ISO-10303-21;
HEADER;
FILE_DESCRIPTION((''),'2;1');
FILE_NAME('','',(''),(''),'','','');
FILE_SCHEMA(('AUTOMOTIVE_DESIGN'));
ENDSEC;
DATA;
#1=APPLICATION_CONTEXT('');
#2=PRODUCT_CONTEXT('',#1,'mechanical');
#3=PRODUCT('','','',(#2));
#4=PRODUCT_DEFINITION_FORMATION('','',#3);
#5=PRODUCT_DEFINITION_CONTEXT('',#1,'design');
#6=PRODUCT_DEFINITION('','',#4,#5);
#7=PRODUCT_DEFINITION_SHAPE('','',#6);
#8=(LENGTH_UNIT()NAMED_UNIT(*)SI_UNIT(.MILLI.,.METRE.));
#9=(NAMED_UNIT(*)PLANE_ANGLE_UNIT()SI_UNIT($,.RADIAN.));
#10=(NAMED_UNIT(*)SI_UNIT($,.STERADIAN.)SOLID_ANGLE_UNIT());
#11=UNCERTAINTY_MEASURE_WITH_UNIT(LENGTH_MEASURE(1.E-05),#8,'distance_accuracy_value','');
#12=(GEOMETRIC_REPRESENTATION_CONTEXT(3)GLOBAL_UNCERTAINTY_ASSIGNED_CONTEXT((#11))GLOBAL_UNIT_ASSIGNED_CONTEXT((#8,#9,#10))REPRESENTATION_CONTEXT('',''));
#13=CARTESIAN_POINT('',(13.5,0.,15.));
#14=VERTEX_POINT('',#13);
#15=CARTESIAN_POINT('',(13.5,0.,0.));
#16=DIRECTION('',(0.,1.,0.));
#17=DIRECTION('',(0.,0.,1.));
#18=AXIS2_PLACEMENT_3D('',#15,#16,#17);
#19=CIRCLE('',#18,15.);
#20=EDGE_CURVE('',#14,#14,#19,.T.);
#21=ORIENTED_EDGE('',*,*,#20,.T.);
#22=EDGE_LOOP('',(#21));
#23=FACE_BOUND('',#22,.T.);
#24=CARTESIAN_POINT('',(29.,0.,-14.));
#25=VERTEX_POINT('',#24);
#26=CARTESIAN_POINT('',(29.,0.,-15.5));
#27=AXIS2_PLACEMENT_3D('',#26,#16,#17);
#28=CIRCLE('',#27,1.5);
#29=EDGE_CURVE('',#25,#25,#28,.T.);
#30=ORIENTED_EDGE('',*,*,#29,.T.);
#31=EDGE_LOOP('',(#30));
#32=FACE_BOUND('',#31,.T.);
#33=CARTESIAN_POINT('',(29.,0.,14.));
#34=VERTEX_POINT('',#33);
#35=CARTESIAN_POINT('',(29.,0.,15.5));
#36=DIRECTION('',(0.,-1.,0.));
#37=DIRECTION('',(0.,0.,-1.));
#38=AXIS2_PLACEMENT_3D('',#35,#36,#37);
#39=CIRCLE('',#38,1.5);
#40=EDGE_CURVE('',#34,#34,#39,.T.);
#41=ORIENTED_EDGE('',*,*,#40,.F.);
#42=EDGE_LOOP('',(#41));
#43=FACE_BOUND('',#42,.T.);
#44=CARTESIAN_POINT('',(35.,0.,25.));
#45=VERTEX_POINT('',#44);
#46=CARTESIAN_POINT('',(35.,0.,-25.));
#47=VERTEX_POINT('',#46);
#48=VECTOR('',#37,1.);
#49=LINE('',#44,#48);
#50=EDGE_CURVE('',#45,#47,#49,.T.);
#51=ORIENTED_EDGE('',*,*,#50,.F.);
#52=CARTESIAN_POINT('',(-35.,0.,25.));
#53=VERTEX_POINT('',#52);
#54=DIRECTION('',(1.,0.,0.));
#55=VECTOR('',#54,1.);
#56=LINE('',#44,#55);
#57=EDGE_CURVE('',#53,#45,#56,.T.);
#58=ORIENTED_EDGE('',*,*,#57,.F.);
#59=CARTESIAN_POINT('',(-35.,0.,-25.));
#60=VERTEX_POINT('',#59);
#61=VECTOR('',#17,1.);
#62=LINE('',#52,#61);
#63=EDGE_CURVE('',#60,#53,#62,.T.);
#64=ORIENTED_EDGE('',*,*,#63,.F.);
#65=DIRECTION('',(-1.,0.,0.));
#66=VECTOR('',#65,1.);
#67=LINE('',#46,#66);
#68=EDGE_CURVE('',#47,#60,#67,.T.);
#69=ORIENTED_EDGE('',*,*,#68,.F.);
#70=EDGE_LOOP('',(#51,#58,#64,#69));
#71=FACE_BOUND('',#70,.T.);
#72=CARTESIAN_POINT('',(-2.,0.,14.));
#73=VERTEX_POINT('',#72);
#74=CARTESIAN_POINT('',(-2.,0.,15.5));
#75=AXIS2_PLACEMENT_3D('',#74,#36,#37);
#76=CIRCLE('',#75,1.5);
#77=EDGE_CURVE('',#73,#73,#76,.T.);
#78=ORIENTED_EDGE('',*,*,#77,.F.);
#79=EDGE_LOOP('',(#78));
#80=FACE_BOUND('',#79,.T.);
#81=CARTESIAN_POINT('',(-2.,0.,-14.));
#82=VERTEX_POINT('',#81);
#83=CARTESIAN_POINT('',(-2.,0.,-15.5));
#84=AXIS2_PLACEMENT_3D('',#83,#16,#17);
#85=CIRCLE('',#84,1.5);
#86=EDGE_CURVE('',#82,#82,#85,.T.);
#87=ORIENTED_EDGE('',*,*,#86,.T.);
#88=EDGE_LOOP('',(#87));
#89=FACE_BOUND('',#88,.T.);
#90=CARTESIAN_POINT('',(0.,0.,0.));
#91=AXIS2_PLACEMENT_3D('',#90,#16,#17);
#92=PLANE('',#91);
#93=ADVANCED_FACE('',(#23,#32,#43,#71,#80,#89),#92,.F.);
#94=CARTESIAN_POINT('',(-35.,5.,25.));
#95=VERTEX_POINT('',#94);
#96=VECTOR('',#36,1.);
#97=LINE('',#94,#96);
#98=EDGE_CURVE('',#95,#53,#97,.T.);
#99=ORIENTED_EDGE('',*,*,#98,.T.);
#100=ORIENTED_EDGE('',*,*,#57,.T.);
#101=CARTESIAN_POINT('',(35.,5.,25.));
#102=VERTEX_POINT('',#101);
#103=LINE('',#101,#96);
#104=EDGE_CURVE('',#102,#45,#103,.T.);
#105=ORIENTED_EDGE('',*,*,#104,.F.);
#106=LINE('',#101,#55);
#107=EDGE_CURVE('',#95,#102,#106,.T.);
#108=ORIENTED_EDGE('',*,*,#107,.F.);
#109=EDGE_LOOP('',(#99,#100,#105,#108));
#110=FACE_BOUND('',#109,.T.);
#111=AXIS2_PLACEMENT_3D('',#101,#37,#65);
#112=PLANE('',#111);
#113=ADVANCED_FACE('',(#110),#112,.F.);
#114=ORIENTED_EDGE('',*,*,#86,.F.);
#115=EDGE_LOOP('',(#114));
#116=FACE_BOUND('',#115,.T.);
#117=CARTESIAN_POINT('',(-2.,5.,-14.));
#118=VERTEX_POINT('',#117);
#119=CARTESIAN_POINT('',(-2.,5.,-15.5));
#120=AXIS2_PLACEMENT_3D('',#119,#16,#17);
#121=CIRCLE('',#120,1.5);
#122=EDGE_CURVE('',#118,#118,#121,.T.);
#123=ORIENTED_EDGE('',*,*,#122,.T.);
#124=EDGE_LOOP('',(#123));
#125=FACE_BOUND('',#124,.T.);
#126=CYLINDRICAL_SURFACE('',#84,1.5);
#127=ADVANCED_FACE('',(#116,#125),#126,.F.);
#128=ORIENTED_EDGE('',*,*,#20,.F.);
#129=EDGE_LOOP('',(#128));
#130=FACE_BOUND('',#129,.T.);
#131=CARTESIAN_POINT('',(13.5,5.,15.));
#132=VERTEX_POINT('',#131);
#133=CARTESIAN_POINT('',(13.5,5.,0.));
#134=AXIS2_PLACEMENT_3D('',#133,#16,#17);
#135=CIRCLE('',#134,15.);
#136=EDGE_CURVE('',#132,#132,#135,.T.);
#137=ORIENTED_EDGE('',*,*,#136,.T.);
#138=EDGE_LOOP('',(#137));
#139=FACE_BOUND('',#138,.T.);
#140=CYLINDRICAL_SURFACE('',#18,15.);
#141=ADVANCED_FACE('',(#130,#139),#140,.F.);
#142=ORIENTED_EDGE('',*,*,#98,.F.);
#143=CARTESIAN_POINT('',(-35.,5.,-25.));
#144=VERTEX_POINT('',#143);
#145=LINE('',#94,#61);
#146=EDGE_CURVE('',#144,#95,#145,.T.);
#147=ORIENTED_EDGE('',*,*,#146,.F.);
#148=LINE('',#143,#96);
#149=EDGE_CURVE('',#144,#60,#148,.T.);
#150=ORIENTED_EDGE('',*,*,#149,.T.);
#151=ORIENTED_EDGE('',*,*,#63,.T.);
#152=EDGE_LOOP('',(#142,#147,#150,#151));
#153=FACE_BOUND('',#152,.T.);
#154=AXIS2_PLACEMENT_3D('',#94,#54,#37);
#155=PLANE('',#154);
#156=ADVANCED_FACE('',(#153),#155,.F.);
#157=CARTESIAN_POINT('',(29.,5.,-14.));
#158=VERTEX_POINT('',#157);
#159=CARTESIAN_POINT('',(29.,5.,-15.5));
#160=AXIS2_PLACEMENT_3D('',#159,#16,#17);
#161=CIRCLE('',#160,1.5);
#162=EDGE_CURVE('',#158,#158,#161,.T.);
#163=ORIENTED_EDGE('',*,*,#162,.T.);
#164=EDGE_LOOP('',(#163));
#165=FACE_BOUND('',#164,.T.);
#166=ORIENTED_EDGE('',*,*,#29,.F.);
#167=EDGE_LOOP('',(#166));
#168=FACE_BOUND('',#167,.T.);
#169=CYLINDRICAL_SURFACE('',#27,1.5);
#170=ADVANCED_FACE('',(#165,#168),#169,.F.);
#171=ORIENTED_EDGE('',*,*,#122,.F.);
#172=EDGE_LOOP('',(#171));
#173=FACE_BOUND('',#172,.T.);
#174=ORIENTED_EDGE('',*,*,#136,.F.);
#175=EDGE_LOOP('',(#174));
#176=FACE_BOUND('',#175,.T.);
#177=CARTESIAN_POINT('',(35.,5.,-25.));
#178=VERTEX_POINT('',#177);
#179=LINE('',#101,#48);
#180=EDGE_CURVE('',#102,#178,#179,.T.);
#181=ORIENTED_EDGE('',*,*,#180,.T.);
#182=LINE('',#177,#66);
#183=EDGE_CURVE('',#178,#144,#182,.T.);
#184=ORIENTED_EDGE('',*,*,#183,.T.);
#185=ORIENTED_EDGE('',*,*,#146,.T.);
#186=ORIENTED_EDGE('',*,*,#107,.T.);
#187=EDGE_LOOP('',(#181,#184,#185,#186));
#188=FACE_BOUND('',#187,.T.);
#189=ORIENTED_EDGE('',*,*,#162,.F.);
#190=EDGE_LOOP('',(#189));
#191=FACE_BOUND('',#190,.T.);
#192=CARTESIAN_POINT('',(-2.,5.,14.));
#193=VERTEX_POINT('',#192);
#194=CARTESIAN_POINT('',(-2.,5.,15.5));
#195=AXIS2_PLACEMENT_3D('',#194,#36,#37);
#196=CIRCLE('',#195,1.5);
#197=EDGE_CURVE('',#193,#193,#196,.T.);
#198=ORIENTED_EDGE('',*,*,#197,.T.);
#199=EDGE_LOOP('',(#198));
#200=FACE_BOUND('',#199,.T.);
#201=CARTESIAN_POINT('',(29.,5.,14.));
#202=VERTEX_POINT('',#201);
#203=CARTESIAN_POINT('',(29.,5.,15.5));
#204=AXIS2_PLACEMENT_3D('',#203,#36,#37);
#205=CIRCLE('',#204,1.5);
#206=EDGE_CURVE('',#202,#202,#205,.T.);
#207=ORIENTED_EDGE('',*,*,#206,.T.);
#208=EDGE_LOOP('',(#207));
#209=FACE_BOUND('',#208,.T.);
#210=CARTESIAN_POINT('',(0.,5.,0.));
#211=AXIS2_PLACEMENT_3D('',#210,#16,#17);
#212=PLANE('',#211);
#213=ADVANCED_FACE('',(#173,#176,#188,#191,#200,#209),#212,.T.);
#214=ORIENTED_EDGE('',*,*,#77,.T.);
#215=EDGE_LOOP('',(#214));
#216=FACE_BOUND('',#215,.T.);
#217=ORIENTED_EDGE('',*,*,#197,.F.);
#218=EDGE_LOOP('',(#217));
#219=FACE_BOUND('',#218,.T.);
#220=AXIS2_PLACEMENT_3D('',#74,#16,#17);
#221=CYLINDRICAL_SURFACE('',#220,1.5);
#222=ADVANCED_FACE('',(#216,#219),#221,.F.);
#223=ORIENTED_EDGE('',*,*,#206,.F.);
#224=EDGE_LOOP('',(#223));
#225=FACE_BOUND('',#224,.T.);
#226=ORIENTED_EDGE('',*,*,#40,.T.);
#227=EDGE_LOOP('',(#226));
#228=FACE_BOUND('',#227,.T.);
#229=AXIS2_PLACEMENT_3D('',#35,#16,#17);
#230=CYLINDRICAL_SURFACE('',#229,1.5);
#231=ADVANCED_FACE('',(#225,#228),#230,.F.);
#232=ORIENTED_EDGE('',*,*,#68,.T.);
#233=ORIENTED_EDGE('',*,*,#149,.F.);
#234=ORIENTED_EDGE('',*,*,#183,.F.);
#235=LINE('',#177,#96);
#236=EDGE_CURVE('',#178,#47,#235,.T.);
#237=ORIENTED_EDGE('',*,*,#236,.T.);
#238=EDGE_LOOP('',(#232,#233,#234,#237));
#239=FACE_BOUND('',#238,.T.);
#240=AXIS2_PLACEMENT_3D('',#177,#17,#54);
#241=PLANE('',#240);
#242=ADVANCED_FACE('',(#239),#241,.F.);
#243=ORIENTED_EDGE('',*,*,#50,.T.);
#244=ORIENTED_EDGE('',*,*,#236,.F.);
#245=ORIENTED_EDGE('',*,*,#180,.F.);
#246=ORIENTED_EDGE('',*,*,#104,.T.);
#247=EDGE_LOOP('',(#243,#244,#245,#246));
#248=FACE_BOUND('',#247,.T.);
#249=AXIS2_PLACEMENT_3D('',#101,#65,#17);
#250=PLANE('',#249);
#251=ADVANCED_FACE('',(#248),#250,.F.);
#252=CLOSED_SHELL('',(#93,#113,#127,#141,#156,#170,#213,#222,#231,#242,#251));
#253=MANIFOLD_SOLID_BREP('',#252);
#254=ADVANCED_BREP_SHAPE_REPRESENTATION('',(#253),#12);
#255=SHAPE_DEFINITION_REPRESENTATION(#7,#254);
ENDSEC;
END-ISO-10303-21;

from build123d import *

# Parameters (mm, degrees)
SKETCH1_W           = 70
SKETCH1_H           = 50
BOSS_EXTRUDE1_DEPTH = 5
SKETCH2_R           = 1.5
CUT_EXTRUDE1_DEPTH  = 5
SKETCH3_R           = 15
CUT_EXTRUDE2_DEPTH  = 5


with BuildPart() as part:
    # Sketch1 → Boss-Extrude1 (new body)
    with BuildSketch(Plane(origin=(0, 0, 0), x_dir=(1, 0, 0), z_dir=(0, 1, 0))):
        Rectangle(SKETCH1_W, SKETCH1_H)
    extrude(amount=BOSS_EXTRUDE1_DEPTH)

    # Sketch2 → Cut-Extrude1 (cut)
    with BuildSketch(Plane(origin=(0, 5, 0), x_dir=(1, 0, 0), z_dir=(0, 1, 0))):
        with Locations((29, 15.5)):
            Circle(SKETCH2_R)
        with Locations((-2, 15.5)):
            Circle(SKETCH2_R)
    cut_extrude1 = extrude(amount=-CUT_EXTRUDE1_DEPTH, mode=Mode.SUBTRACT)

    # Mirror1: Cut-Extrude1 across plane
    add(cut_extrude1.mirror(Plane.XY), mode=Mode.SUBTRACT)

    # Sketch3 → Cut-Extrude2 (cut)
    with BuildSketch(Plane(origin=(0, 5, 0), x_dir=(1, 0, 0), z_dir=(0, 1, 0))):
        with Locations((13.5, 0)):
            Circle(SKETCH3_R)
    extrude(amount=-CUT_EXTRUDE2_DEPTH, mode=Mode.SUBTRACT)


solid = part.part
